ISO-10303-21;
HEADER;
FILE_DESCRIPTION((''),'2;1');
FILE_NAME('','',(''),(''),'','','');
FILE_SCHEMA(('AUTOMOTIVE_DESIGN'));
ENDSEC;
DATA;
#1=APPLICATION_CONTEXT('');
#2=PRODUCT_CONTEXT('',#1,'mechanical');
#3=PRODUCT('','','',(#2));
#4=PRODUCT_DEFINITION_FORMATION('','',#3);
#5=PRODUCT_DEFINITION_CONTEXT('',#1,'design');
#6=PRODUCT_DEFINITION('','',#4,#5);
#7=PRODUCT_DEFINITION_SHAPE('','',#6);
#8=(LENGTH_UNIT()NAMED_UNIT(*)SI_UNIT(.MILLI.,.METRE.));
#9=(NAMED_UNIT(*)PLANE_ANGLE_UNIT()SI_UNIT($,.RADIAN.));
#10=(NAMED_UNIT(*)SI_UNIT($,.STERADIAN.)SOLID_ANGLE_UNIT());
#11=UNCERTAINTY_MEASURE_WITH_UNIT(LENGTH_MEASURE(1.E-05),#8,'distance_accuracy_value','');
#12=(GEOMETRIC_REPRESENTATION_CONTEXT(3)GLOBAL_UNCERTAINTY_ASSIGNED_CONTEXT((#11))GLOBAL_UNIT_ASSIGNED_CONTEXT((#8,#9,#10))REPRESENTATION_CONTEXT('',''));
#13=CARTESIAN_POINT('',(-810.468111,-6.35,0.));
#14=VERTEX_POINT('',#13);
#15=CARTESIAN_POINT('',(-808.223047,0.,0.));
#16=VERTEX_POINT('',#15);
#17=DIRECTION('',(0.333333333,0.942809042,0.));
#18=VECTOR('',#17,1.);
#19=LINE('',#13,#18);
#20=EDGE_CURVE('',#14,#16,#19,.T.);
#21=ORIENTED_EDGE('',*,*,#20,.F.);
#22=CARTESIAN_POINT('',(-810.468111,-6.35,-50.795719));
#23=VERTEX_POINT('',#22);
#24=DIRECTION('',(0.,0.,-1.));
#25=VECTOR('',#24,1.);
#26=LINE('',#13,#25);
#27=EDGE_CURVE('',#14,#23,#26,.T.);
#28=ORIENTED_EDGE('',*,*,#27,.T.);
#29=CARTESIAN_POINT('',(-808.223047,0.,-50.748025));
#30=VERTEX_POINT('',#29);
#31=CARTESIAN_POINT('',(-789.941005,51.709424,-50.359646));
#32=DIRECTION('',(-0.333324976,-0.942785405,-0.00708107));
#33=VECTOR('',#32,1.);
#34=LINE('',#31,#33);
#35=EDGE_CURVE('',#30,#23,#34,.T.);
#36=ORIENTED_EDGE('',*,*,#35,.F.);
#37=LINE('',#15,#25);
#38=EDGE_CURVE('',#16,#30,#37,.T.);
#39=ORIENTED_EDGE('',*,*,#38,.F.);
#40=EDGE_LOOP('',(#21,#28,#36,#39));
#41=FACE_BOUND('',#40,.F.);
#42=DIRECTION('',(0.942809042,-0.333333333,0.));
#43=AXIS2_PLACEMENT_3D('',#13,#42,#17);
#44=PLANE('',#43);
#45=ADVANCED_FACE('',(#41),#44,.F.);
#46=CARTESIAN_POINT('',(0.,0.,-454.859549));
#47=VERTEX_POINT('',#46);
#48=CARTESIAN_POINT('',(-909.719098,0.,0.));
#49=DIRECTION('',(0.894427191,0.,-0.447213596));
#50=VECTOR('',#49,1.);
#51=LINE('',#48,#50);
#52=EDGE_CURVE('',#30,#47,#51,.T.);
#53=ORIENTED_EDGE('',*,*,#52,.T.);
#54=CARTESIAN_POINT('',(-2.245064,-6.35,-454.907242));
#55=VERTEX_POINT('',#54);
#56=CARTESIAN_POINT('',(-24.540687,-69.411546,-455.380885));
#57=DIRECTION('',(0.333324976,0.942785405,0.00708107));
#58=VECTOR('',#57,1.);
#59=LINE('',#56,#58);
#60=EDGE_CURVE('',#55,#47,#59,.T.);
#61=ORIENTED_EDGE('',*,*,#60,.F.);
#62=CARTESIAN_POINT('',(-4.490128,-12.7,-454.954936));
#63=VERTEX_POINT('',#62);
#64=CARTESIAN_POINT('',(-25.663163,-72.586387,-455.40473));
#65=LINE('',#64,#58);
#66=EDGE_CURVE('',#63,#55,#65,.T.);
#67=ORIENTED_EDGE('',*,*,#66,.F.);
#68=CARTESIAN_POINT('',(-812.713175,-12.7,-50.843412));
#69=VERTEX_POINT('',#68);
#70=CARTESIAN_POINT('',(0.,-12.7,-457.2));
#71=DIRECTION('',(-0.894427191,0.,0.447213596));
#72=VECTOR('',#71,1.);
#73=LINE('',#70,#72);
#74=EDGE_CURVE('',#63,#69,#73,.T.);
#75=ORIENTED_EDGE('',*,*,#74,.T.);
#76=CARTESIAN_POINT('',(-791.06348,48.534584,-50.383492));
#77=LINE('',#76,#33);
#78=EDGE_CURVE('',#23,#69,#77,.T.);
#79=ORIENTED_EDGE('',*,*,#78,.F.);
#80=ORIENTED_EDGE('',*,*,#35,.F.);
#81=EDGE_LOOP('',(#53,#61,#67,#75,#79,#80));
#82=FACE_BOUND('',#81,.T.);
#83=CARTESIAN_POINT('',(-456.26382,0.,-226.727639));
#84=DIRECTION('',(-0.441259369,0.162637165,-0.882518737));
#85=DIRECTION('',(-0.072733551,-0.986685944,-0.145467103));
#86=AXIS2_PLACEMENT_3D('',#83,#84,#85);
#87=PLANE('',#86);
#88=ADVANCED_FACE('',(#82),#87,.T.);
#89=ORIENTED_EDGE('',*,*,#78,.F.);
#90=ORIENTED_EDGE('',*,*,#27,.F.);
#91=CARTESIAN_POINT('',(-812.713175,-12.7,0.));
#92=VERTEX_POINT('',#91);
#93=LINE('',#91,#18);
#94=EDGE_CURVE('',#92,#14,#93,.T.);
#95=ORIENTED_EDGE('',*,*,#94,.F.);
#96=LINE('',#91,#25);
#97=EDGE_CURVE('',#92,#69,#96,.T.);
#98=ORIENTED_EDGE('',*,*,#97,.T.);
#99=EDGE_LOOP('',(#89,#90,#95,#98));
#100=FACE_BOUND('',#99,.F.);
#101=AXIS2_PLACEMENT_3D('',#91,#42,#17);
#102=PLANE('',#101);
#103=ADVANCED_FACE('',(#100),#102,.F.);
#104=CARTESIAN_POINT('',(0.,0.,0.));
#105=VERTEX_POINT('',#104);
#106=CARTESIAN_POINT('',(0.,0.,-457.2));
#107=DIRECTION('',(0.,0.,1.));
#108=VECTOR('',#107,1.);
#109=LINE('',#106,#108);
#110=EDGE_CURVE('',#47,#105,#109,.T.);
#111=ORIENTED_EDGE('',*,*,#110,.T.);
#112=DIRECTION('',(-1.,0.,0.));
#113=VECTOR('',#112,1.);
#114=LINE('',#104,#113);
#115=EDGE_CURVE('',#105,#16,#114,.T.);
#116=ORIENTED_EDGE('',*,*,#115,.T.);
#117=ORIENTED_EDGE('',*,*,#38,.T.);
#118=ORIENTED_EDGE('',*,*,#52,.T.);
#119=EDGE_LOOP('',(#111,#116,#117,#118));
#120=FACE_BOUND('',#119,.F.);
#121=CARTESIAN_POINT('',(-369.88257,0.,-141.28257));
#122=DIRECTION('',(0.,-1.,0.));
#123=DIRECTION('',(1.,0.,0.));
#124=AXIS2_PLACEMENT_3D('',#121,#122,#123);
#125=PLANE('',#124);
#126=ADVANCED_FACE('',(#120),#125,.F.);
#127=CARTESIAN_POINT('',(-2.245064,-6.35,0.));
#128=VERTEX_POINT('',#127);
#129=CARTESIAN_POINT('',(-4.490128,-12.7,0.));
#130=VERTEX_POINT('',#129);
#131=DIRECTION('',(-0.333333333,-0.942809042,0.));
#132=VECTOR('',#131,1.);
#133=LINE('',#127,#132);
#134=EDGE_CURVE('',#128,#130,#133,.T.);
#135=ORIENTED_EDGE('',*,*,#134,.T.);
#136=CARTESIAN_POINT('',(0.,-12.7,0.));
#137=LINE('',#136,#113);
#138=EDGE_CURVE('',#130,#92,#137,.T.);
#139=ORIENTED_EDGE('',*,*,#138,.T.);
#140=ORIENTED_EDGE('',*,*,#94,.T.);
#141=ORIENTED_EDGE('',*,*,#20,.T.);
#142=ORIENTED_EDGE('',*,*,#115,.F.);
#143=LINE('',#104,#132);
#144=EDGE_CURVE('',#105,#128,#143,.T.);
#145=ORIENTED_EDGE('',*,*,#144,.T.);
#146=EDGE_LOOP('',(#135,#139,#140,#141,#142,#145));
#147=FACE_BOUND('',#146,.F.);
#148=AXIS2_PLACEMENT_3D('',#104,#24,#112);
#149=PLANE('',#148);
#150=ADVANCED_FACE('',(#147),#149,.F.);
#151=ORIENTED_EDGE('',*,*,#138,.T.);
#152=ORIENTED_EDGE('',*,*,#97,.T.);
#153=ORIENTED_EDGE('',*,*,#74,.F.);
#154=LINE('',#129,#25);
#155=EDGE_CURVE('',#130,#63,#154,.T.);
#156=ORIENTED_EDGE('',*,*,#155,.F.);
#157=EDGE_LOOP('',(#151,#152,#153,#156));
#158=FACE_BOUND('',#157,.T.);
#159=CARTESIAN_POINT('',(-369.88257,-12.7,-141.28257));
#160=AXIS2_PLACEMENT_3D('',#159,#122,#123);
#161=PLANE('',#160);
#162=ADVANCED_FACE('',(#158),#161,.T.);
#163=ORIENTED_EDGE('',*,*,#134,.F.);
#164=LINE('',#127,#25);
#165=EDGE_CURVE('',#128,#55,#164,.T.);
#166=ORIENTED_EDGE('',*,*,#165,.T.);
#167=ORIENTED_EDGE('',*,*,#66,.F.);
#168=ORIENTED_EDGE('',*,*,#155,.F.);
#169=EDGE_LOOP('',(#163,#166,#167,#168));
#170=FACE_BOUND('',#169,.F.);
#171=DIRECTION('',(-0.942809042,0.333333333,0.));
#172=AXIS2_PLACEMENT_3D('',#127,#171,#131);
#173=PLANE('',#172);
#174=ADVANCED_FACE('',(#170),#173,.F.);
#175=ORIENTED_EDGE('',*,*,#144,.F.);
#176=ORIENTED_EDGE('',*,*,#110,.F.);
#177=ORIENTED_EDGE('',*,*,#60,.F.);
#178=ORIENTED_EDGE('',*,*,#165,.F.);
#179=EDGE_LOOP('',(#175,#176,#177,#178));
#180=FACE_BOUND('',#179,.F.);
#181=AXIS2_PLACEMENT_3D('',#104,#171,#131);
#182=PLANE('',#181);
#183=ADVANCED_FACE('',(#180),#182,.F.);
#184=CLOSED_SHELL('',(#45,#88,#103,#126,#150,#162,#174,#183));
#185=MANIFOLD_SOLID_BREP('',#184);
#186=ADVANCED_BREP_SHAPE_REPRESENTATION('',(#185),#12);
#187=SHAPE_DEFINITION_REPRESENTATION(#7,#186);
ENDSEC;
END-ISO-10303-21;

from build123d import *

# Parameters (mm, degrees)
F1_DEPTH      = 12.7
F5_DEPTH      = 511.1661396565
F5_DEPTH_BACK = 511.1661396565
F7_DEPTH      = 457.201


with BuildPart() as f1:
    # F0 (on Front) → F1 (new body)
    with BuildSketch(Plane.XZ):
        Polygon((0, -457.2), (0, 0), (-914.4, 0), align=None)
    extrude(amount=F1_DEPTH)

    # F4 (on line) → F5 (cut, two sides)
    with BuildSketch(Plane(origin=(-274.32, 0, 137.16), x_dir=(0, 1, 0), z_dir=(0.894427191, 0, -0.4472135955))) as f5_sk:
        Polygon((-12.7, -408.9321117252), (0, -408.9321117252), (0, -406.8387485734), align=None)
    extrude(amount=-F5_DEPTH, mode=Mode.SUBTRACT)
    extrude(f5_sk.sketch, amount=F5_DEPTH_BACK, mode=Mode.SUBTRACT)

    # F6 (on face) → F7 (cut, through all)
    with BuildSketch(Plane.XY):
        Polygon((-912.0595488455, -6.35), (-810.468111026, -6.35), (-808.223047, 0), (-909.719097691, 0), align=None)
        Polygon((-812.7131750519, -12.7), (-810.468111026, -6.35), (-912.0595488455, -6.35), (-914.4, -12.7), align=None)
        Polygon((-2.245064026, -6.35), (0, -6.35), (0, 0), align=None)
        Polygon((0, -12.7), (0, -6.35), (-2.245064026, -6.35), (-4.4901280519, -12.7), align=None)
    extrude(amount=-F7_DEPTH, mode=Mode.SUBTRACT)


solid = f1.part
